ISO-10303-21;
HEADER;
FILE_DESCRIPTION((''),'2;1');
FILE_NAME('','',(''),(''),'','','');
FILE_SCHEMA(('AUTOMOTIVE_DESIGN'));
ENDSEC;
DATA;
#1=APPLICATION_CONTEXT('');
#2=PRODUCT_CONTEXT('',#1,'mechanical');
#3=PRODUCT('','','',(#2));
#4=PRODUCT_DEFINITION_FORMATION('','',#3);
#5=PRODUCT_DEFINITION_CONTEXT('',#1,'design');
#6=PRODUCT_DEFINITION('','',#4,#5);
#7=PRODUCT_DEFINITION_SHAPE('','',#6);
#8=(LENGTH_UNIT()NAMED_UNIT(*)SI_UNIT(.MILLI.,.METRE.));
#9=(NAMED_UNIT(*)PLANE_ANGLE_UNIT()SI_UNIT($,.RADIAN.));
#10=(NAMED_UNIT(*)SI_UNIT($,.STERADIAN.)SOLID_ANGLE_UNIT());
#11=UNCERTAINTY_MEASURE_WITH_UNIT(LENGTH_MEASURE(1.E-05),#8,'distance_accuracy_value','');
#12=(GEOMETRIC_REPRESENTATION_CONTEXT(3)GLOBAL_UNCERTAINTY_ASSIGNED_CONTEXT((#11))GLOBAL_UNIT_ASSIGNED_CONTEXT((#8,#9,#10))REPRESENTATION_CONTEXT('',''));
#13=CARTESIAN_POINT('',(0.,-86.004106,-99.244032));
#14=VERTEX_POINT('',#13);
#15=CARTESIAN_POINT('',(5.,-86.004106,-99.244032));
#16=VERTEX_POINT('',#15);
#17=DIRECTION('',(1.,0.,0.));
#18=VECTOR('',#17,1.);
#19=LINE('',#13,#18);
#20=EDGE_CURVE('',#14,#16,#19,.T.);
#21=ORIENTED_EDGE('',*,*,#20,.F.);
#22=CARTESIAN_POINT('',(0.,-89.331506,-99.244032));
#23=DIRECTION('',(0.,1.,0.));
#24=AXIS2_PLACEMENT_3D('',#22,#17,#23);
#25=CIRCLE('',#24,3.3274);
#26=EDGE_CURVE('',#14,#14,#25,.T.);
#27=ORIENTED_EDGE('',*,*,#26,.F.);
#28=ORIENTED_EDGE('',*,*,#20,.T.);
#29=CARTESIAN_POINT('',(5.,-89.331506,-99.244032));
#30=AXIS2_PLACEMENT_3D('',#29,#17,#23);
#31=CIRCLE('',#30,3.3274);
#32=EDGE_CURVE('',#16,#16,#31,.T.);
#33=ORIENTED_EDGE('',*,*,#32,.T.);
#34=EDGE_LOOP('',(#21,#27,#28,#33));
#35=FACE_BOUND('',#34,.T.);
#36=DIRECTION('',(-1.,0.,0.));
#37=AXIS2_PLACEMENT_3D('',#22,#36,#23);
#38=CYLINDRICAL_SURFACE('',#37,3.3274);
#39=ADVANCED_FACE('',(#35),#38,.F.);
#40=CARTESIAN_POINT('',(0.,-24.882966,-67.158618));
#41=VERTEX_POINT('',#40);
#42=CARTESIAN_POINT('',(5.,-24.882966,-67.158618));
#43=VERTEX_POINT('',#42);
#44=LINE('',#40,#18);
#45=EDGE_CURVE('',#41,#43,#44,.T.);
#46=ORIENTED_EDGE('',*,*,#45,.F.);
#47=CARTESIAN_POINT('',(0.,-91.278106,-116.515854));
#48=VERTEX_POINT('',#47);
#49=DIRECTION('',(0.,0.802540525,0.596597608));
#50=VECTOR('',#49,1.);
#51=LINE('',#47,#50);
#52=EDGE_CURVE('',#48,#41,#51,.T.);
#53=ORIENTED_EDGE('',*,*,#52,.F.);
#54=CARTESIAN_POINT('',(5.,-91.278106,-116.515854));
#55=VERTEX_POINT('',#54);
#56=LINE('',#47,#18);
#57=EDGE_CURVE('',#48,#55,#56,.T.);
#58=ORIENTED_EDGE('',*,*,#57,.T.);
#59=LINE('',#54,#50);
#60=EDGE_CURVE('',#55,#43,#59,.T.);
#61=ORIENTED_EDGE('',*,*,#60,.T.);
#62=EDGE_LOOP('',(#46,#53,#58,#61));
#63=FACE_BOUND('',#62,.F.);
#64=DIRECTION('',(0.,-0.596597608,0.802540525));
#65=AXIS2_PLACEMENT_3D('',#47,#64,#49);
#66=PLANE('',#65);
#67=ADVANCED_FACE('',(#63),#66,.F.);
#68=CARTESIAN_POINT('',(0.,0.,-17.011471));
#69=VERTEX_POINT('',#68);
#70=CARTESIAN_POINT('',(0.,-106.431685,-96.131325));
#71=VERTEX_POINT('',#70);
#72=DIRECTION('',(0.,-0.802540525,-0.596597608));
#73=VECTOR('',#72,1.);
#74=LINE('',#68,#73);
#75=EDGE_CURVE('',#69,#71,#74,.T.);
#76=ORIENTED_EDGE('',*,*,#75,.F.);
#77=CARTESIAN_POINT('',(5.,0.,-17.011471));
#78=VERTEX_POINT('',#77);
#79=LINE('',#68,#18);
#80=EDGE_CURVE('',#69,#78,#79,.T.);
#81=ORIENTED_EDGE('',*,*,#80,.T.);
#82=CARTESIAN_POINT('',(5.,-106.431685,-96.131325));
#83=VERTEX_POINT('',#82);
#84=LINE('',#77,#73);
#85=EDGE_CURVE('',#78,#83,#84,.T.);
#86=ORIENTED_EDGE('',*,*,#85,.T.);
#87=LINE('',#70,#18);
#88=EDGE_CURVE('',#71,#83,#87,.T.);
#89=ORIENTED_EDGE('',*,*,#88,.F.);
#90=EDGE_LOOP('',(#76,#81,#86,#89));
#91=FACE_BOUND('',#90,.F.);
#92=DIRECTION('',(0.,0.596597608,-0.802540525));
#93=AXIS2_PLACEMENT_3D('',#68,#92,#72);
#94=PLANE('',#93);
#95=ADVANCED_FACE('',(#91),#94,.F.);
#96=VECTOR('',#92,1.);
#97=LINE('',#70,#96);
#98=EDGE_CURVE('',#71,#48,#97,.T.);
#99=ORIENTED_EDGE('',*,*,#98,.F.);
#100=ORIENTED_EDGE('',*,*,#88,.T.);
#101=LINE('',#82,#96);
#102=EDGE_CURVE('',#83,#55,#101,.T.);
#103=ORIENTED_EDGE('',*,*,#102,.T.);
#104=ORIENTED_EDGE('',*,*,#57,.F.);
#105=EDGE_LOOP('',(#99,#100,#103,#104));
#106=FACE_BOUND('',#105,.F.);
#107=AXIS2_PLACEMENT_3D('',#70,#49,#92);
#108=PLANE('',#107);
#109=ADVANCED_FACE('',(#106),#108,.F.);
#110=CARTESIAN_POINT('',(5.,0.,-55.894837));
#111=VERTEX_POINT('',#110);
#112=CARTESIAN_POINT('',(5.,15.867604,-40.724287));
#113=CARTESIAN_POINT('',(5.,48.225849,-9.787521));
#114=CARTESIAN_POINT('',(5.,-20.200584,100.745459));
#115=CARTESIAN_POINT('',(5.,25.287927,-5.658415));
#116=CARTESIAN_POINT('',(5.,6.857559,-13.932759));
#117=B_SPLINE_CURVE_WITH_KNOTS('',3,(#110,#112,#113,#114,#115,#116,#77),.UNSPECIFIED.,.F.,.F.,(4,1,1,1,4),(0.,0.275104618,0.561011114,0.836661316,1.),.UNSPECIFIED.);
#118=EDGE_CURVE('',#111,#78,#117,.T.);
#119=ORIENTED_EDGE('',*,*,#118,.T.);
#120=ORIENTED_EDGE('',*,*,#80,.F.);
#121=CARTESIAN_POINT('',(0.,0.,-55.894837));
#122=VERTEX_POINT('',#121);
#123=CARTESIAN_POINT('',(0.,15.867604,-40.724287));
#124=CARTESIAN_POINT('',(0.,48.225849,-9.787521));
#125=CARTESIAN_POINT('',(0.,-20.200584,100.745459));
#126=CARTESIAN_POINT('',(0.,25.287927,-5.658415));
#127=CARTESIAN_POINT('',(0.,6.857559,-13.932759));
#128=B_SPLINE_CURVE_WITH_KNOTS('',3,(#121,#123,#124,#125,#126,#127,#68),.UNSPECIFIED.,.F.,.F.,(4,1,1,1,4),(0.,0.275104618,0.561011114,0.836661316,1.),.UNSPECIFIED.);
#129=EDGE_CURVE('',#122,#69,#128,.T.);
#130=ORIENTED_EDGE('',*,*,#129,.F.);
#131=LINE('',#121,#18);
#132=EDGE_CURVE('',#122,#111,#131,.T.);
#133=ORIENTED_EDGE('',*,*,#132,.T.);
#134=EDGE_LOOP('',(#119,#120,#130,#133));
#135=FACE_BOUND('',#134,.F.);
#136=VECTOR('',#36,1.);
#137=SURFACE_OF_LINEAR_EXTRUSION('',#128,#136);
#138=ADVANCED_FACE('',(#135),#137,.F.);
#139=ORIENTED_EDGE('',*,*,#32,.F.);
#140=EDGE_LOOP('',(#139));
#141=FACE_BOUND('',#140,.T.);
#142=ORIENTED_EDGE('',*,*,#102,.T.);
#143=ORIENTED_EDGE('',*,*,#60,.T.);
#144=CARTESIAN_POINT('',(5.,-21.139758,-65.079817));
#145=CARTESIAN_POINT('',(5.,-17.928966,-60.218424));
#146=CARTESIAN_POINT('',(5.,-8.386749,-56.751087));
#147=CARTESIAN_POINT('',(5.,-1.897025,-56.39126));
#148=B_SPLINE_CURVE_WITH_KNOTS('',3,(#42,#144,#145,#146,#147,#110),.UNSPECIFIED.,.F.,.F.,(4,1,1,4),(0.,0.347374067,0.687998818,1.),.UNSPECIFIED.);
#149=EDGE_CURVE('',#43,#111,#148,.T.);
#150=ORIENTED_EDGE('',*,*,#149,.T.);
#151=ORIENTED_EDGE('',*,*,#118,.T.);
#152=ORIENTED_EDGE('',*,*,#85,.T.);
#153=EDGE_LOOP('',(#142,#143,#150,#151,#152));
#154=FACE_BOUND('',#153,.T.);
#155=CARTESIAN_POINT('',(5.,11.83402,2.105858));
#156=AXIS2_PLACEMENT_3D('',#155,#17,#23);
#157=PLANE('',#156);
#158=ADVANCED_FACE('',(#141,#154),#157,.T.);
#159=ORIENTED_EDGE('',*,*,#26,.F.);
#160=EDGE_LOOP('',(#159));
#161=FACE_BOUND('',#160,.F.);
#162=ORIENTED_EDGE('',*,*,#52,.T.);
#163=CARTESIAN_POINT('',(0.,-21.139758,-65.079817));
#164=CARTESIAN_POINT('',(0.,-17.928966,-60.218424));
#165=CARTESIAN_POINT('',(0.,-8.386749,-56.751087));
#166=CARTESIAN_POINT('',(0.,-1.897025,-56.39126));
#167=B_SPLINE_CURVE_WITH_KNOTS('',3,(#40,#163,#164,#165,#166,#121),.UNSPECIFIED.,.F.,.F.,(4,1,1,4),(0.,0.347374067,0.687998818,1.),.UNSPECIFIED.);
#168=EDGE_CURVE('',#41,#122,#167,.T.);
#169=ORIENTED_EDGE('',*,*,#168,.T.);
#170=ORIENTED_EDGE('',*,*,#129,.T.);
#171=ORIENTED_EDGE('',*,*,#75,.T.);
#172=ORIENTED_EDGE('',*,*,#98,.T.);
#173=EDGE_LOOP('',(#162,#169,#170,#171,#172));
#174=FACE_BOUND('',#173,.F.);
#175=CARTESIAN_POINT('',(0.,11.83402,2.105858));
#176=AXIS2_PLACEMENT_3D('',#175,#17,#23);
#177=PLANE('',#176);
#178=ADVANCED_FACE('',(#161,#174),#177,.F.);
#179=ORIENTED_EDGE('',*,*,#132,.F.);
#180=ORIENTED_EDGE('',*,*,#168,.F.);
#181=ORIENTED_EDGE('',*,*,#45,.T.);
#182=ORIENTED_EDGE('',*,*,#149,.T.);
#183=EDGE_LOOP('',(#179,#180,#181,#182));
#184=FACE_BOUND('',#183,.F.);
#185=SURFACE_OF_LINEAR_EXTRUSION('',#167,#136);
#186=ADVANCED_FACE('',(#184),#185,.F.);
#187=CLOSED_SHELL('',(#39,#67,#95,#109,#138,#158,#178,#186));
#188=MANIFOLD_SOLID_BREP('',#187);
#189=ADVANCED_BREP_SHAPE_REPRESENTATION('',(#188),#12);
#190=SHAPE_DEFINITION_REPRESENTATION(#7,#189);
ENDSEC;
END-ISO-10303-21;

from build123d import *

# Parameters (mm, degrees)
F0_R     = 3.3274
F1_DEPTH = 5


with BuildPart() as f1:
    # F0 (on Right) → F1 (new body)
    with BuildSketch(Plane.YZ):
        with BuildLine():
            Line((0, -17.0114710927), (0, -55.8948367834))
            add(Edge.make_bspline(
                [(0, -55.8948367834), (15.8676044293, -40.7242866382), (48.2258486977, -9.7875205076), (-20.2005839998, 100.745458921), (25.2879272635, -5.658414522), (6.857558871, -13.9327587495), (0, -17.0114710927)],
                knots=[0, 0, 0, 0, 0.2751046184, 0.5610111143, 0.8366613155, 1, 1, 1, 1], degree=3))
        make_face()
        with BuildLine():
            add(Edge.make_bspline(
                [(-24.8829659086, -67.158618414), (-21.139758301, -65.0798172165), (-17.9289662497, -60.2184241216), (-8.3867489622, -56.7510871512), (-1.8970250752, -56.3912603307), (0, -55.8948367834)],
                knots=[0, 0, 0, 0, 0.3473740672, 0.687998818, 1, 1, 1, 1], degree=3))
            Line((0, -55.8948367834), (0, -17.0114710927))
            Line((0, -17.0114710927), (-106.4316853881, -96.1313247681))
            Line((-106.4316853881, -96.1313247681), (-91.2781061477, -116.515854103))
            Line((-91.2781061477, -116.515854103), (-24.8829659086, -67.158618414))
        make_face()
        with Locations((-89.3315062883, -99.2440324467)):
            Circle(F0_R, mode=Mode.SUBTRACT)
    extrude(amount=F1_DEPTH)


solid = f1.part
